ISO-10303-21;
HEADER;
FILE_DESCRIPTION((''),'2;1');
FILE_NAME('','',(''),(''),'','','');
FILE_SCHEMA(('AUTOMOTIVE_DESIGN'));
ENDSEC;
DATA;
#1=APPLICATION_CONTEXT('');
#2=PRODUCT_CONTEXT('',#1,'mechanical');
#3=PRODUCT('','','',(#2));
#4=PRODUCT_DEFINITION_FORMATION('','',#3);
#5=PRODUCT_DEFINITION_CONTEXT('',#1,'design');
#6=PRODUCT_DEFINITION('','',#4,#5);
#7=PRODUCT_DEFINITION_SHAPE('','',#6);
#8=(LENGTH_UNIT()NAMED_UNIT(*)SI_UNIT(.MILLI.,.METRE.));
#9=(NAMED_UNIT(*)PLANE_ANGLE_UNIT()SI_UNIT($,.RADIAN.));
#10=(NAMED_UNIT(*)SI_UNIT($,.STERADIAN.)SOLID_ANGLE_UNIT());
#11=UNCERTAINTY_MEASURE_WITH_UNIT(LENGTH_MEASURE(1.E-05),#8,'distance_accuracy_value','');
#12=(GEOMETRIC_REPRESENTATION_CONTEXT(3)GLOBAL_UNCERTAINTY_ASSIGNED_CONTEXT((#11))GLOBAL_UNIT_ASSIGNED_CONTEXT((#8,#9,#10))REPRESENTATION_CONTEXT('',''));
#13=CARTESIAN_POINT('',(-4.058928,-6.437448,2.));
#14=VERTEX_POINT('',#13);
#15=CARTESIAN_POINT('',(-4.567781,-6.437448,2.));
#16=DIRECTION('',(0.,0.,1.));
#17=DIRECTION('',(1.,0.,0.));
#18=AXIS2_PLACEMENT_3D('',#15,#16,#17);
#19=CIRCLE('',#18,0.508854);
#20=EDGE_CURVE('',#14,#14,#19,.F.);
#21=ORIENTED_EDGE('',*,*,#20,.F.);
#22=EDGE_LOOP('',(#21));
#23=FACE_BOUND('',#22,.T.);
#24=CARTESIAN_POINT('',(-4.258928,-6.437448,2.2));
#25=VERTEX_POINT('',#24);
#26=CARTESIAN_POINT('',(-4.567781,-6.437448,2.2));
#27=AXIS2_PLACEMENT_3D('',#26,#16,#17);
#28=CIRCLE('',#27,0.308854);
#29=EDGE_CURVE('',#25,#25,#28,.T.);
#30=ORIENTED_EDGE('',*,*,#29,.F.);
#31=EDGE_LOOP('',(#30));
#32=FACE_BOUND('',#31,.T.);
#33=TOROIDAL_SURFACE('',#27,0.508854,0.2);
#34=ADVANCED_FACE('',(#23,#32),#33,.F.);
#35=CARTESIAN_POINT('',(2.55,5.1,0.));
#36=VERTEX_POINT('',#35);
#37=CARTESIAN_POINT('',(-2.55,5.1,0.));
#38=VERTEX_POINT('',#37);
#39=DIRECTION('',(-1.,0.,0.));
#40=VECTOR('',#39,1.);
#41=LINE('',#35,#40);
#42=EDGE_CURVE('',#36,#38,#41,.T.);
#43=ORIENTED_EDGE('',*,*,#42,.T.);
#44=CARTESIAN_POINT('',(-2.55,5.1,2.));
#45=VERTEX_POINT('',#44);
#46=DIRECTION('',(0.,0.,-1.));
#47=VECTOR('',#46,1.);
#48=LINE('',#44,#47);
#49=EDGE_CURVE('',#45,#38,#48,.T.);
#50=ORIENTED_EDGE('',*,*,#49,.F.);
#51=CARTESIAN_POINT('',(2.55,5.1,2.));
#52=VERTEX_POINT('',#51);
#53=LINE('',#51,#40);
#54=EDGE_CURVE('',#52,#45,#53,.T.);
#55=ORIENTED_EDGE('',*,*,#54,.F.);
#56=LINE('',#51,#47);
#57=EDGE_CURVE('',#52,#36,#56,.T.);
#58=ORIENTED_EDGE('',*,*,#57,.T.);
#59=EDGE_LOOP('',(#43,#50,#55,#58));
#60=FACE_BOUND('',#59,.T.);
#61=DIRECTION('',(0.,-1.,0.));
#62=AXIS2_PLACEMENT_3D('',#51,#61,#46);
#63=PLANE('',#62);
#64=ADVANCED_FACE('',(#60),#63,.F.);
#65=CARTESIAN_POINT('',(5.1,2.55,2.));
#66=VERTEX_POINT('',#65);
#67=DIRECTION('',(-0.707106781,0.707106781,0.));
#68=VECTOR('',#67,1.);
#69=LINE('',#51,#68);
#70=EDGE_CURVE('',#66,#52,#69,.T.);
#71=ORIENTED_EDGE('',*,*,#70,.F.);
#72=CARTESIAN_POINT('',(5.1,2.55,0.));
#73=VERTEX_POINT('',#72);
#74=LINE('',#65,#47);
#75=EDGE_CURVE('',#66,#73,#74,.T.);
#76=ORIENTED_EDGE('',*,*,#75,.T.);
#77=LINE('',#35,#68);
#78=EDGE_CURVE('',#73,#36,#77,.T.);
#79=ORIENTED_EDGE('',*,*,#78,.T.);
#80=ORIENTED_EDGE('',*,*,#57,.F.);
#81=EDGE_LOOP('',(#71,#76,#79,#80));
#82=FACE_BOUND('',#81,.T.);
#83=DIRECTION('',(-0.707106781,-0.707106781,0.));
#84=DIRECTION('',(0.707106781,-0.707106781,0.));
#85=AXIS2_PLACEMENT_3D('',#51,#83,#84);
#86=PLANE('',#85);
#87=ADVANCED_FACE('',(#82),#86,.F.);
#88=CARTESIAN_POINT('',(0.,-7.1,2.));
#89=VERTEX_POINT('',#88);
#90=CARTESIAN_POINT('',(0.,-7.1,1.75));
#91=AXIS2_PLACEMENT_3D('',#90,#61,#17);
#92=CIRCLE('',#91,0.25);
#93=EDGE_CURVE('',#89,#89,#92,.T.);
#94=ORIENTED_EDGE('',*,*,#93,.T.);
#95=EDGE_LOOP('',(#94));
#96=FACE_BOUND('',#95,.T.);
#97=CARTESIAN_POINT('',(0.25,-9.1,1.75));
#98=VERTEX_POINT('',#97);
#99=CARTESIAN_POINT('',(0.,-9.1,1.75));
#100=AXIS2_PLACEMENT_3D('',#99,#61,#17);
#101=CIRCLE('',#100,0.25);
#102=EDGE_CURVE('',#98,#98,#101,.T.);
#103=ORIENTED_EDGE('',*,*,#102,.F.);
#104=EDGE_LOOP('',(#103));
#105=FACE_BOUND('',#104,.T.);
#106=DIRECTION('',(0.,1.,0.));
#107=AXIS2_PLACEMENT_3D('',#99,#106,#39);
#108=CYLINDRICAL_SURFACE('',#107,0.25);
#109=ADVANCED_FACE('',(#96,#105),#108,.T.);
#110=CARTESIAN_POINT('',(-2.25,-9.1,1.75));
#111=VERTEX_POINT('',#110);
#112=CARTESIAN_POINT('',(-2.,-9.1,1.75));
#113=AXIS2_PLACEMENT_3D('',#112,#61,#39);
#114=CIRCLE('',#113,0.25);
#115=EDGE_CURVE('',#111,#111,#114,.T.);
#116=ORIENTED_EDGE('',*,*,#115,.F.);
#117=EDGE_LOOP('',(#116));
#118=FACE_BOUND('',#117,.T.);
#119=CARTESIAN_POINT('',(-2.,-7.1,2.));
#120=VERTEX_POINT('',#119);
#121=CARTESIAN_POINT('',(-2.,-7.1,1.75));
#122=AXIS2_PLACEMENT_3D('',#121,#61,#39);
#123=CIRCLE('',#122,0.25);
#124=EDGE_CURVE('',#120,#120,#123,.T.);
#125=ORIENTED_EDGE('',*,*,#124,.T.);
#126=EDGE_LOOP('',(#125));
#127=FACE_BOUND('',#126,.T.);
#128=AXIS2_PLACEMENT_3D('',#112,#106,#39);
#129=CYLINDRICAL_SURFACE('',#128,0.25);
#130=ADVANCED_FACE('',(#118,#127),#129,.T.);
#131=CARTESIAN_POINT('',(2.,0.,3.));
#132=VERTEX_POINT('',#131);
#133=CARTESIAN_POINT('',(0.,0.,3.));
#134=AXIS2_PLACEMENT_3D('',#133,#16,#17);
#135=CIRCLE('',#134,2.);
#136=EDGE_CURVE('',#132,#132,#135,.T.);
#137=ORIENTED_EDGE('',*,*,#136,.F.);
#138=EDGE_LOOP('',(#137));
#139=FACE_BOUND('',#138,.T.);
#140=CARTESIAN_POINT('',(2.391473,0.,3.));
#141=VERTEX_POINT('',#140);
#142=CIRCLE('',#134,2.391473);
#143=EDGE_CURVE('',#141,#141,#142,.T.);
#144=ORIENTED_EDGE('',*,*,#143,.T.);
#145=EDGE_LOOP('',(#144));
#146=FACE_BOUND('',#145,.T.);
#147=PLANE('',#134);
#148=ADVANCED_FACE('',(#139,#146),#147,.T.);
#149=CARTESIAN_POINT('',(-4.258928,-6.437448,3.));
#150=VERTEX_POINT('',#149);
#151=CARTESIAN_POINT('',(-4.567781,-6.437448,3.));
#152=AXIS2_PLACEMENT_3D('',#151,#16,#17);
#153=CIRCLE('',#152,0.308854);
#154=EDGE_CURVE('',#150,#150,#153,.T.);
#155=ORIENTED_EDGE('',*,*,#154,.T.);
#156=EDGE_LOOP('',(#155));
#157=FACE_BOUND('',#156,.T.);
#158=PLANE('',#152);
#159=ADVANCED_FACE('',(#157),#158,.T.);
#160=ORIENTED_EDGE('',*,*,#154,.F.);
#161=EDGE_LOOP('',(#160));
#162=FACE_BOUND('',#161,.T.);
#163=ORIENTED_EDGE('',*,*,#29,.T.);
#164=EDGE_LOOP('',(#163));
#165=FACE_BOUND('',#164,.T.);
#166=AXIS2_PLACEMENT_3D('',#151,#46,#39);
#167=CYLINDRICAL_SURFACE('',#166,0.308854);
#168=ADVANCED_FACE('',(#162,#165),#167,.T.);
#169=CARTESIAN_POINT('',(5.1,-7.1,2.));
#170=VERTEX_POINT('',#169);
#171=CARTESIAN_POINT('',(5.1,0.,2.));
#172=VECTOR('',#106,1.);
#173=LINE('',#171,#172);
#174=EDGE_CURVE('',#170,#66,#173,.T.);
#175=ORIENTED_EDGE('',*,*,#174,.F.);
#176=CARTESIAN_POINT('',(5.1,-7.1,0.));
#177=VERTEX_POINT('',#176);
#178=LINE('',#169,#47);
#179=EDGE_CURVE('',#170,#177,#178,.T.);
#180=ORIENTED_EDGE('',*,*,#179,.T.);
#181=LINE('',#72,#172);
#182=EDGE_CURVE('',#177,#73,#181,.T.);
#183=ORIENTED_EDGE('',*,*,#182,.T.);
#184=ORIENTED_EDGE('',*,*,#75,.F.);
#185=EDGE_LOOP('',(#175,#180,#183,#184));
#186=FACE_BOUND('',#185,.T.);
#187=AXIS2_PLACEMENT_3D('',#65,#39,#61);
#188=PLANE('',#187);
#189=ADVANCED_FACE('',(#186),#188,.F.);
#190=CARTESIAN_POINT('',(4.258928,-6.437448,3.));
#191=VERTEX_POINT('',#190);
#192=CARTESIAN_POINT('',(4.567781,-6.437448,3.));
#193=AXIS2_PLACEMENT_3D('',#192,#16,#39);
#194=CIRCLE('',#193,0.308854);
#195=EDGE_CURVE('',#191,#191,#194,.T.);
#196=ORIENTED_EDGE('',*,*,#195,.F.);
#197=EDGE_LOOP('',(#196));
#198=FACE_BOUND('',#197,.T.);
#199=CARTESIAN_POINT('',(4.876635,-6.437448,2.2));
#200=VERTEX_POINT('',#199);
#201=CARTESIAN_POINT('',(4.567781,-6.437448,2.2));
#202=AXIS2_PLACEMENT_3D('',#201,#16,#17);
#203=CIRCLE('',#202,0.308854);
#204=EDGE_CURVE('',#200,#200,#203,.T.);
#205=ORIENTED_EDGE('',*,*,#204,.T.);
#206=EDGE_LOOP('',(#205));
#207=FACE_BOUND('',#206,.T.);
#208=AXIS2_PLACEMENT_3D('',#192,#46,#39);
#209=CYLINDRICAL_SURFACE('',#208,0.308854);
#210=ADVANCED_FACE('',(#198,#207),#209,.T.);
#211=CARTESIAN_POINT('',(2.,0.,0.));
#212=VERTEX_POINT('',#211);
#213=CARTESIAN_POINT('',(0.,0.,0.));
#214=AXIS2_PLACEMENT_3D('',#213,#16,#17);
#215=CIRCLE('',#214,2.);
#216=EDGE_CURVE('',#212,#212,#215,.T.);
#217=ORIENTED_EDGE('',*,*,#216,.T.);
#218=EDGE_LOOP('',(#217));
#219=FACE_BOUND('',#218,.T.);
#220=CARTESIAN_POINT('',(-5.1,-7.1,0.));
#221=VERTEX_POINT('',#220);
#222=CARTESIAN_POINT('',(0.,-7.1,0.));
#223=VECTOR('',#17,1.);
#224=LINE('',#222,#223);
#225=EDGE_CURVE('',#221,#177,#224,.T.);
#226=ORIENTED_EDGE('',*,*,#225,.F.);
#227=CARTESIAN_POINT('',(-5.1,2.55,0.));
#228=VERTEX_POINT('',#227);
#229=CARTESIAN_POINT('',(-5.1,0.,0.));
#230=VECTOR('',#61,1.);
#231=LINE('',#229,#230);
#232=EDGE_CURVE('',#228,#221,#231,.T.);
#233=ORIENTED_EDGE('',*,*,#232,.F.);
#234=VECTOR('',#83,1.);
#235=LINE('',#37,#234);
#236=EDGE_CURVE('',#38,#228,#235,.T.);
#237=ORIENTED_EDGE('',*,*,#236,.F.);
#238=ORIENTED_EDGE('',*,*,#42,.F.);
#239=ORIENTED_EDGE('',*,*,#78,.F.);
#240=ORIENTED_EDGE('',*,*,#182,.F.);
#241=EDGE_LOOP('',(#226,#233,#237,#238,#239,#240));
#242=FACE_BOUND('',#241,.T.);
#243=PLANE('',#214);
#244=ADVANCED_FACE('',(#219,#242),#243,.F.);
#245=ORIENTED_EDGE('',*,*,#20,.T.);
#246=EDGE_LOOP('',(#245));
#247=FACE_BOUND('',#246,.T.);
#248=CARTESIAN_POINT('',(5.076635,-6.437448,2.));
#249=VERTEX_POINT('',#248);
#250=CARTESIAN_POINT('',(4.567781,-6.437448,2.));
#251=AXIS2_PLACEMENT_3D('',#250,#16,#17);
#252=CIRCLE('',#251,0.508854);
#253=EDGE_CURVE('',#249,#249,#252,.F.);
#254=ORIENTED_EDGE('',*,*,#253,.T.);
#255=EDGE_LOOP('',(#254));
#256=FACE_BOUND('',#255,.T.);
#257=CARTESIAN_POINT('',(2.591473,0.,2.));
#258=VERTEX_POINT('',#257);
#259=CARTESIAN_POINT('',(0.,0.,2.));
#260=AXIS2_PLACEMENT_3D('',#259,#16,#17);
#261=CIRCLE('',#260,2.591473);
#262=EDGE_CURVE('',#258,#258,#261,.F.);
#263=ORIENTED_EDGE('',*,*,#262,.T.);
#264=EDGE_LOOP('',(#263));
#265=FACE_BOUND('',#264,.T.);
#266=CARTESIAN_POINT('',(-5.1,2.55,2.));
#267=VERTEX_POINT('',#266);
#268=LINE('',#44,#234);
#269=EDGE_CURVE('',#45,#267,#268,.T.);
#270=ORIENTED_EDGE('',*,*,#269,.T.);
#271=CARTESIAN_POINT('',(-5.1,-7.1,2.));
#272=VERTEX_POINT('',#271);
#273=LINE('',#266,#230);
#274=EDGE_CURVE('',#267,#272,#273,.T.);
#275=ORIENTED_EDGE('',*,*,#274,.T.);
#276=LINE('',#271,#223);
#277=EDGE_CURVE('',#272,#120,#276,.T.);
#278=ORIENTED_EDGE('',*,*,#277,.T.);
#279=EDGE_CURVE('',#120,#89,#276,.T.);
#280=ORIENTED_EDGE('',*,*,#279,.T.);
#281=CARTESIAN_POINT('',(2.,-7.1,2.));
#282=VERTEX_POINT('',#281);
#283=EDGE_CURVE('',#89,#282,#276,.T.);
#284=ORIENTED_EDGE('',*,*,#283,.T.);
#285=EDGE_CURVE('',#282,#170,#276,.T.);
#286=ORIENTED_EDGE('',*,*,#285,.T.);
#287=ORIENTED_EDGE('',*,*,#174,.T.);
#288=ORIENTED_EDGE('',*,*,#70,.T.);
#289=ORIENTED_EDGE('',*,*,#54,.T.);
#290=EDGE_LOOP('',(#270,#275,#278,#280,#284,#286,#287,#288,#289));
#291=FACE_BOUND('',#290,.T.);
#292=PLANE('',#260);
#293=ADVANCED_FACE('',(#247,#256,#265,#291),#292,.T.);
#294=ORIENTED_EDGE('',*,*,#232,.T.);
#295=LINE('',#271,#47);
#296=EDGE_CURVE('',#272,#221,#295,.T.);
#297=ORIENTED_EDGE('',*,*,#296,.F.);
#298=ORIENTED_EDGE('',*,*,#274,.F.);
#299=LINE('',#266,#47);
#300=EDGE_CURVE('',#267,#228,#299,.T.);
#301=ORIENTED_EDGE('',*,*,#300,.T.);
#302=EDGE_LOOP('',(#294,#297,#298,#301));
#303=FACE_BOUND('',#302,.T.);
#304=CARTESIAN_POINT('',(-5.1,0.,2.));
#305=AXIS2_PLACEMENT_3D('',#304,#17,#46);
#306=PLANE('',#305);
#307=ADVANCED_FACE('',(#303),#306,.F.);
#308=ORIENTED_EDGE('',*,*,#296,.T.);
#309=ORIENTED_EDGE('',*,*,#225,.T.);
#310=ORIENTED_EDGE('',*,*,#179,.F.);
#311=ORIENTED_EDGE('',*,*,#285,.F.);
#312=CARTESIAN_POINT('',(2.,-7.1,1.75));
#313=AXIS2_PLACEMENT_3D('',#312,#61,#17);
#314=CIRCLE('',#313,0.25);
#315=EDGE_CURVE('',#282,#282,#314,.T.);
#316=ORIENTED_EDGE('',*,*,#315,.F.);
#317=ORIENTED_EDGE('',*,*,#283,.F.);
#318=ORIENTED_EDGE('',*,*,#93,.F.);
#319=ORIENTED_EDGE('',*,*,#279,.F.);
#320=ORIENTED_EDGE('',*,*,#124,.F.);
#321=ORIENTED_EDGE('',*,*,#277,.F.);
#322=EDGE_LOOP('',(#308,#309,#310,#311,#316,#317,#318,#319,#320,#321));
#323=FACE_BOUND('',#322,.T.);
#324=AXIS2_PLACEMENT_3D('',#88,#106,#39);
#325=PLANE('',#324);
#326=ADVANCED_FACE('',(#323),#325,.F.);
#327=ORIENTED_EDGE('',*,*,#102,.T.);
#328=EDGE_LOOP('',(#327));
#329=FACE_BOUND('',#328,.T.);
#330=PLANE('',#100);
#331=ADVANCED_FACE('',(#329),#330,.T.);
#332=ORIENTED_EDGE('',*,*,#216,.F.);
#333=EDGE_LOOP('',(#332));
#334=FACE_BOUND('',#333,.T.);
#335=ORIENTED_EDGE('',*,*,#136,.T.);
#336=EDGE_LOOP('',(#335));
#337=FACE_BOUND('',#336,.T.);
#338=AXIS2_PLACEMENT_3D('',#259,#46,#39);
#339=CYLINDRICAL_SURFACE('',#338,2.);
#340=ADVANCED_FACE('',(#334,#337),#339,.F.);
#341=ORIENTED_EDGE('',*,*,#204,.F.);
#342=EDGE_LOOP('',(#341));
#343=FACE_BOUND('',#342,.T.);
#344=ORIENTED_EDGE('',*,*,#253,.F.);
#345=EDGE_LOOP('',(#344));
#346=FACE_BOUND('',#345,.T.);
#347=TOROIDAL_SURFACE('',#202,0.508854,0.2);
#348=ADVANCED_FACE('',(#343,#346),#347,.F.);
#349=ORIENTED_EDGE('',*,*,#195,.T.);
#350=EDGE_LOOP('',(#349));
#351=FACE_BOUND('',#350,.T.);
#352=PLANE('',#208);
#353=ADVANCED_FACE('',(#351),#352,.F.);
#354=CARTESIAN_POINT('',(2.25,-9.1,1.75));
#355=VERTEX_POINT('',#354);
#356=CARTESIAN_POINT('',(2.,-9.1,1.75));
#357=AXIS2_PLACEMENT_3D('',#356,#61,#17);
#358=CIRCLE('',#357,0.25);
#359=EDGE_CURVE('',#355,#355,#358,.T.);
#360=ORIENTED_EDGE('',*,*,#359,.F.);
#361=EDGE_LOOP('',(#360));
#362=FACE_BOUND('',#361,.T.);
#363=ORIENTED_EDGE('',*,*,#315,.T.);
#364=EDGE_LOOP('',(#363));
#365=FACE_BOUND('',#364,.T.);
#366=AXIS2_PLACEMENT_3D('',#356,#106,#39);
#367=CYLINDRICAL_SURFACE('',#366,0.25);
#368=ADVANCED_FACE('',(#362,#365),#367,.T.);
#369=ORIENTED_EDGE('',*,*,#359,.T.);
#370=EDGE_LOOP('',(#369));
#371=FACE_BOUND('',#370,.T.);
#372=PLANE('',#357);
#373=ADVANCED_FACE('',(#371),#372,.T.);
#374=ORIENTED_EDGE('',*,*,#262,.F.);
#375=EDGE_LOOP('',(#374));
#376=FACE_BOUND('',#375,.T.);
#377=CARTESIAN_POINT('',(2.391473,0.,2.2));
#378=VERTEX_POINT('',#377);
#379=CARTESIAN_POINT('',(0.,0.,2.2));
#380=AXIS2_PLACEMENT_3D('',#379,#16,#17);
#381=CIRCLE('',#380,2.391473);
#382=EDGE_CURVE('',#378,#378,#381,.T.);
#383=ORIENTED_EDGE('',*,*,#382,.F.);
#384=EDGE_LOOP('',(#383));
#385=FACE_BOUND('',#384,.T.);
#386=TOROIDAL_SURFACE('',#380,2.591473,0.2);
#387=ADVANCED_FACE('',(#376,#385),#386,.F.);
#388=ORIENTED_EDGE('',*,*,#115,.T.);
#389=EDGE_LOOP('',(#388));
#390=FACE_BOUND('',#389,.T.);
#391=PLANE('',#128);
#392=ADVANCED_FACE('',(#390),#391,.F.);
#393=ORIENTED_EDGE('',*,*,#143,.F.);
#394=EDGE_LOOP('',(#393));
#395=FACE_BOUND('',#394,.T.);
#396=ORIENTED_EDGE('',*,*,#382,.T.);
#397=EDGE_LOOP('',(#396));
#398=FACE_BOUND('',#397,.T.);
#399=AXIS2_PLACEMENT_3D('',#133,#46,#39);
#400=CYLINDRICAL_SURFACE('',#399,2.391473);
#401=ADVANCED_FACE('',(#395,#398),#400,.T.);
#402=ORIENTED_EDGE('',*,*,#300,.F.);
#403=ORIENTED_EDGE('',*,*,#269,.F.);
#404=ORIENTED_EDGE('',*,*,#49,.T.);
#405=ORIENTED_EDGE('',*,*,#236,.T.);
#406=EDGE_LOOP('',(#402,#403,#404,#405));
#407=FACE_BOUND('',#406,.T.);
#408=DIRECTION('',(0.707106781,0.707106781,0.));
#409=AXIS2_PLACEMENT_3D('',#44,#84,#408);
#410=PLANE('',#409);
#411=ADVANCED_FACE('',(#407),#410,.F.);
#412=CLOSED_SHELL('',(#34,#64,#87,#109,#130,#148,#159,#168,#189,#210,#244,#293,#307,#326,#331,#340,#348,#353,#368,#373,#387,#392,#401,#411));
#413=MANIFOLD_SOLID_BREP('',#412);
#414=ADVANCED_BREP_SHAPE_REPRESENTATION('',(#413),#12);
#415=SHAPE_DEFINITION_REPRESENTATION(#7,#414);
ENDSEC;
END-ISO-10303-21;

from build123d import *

# Parameters (mm, degrees)
SKETCH1_R           = 2
BOSS_EXTRUDE1_DEPTH = 2
SKETCH2_R           = 2.391473365
SKETCH2_R_2         = 2
SKETCH2_R_3         = 0.308853545
BOSS_EXTRUDE2_DEPTH = 1
FILLET1_R           = 0.2
SKETCH3_R           = 0.25
BOSS_EXTRUDE3_DEPTH = 2


with BuildPart() as part:
    # Sketch1 → Boss-Extrude1 (new body)
    with BuildSketch(Plane.XY):
        Polygon((0, -7.1), (5.1, -7.1), (5.1, 0), (5.1, 2.55), (2.55, 5.1), (-2.55, 5.1), (-5.1, 2.55), (-5.1, 0), (-5.1, -7.1), align=None)
        Circle(SKETCH1_R, mode=Mode.SUBTRACT)
    extrude(amount=BOSS_EXTRUDE1_DEPTH)

    # Sketch2 → Boss-Extrude2 (add)
    # profile 1 of 3: a face of its own
    with BuildSketch(Plane.XY.offset(2)):
        Circle(SKETCH2_R)
        Circle(SKETCH2_R_2, mode=Mode.SUBTRACT)
    # profile 2 of 3: a face of its own
    with BuildSketch(Plane.XY.offset(2)):
        with Locations((-4.567781371, -6.437447931)):
            Circle(SKETCH2_R_3)
    # profile 3 of 3: a face of its own
    with BuildSketch(Plane.XY.offset(2)):
        with Locations(Location((4.567781371, -6.437447931, 0), (0, 0, 180))):
            Circle(SKETCH2_R_3)
    extrude(amount=BOSS_EXTRUDE2_DEPTH)

    # Fillet1
    fillet1_edges = [part.edges().sort_by_distance(p)[0] for p in [
        (-4.876634915, -6.437447931, 2),
        (4.876634915, -6.437447931, 2),
        (-2.391473365, 0, 2),
    ]]
    fillet(fillet1_edges, radius=FILLET1_R)

    # Sketch3 → Boss-Extrude3 (add)
    with BuildSketch(Plane.XZ.offset(7.1)):
        with Locations(Location((0, 1.75, 0), (0, 0, 90))):
            Circle(SKETCH3_R)
        with Locations(Location((2, 1.75, 0), (0, 0, 90))):
            Circle(SKETCH3_R)
        with Locations(Location((-2, 1.75, 0), (0, 0, 180))):
            Circle(SKETCH3_R)
    extrude(amount=BOSS_EXTRUDE3_DEPTH)


solid = part.part
